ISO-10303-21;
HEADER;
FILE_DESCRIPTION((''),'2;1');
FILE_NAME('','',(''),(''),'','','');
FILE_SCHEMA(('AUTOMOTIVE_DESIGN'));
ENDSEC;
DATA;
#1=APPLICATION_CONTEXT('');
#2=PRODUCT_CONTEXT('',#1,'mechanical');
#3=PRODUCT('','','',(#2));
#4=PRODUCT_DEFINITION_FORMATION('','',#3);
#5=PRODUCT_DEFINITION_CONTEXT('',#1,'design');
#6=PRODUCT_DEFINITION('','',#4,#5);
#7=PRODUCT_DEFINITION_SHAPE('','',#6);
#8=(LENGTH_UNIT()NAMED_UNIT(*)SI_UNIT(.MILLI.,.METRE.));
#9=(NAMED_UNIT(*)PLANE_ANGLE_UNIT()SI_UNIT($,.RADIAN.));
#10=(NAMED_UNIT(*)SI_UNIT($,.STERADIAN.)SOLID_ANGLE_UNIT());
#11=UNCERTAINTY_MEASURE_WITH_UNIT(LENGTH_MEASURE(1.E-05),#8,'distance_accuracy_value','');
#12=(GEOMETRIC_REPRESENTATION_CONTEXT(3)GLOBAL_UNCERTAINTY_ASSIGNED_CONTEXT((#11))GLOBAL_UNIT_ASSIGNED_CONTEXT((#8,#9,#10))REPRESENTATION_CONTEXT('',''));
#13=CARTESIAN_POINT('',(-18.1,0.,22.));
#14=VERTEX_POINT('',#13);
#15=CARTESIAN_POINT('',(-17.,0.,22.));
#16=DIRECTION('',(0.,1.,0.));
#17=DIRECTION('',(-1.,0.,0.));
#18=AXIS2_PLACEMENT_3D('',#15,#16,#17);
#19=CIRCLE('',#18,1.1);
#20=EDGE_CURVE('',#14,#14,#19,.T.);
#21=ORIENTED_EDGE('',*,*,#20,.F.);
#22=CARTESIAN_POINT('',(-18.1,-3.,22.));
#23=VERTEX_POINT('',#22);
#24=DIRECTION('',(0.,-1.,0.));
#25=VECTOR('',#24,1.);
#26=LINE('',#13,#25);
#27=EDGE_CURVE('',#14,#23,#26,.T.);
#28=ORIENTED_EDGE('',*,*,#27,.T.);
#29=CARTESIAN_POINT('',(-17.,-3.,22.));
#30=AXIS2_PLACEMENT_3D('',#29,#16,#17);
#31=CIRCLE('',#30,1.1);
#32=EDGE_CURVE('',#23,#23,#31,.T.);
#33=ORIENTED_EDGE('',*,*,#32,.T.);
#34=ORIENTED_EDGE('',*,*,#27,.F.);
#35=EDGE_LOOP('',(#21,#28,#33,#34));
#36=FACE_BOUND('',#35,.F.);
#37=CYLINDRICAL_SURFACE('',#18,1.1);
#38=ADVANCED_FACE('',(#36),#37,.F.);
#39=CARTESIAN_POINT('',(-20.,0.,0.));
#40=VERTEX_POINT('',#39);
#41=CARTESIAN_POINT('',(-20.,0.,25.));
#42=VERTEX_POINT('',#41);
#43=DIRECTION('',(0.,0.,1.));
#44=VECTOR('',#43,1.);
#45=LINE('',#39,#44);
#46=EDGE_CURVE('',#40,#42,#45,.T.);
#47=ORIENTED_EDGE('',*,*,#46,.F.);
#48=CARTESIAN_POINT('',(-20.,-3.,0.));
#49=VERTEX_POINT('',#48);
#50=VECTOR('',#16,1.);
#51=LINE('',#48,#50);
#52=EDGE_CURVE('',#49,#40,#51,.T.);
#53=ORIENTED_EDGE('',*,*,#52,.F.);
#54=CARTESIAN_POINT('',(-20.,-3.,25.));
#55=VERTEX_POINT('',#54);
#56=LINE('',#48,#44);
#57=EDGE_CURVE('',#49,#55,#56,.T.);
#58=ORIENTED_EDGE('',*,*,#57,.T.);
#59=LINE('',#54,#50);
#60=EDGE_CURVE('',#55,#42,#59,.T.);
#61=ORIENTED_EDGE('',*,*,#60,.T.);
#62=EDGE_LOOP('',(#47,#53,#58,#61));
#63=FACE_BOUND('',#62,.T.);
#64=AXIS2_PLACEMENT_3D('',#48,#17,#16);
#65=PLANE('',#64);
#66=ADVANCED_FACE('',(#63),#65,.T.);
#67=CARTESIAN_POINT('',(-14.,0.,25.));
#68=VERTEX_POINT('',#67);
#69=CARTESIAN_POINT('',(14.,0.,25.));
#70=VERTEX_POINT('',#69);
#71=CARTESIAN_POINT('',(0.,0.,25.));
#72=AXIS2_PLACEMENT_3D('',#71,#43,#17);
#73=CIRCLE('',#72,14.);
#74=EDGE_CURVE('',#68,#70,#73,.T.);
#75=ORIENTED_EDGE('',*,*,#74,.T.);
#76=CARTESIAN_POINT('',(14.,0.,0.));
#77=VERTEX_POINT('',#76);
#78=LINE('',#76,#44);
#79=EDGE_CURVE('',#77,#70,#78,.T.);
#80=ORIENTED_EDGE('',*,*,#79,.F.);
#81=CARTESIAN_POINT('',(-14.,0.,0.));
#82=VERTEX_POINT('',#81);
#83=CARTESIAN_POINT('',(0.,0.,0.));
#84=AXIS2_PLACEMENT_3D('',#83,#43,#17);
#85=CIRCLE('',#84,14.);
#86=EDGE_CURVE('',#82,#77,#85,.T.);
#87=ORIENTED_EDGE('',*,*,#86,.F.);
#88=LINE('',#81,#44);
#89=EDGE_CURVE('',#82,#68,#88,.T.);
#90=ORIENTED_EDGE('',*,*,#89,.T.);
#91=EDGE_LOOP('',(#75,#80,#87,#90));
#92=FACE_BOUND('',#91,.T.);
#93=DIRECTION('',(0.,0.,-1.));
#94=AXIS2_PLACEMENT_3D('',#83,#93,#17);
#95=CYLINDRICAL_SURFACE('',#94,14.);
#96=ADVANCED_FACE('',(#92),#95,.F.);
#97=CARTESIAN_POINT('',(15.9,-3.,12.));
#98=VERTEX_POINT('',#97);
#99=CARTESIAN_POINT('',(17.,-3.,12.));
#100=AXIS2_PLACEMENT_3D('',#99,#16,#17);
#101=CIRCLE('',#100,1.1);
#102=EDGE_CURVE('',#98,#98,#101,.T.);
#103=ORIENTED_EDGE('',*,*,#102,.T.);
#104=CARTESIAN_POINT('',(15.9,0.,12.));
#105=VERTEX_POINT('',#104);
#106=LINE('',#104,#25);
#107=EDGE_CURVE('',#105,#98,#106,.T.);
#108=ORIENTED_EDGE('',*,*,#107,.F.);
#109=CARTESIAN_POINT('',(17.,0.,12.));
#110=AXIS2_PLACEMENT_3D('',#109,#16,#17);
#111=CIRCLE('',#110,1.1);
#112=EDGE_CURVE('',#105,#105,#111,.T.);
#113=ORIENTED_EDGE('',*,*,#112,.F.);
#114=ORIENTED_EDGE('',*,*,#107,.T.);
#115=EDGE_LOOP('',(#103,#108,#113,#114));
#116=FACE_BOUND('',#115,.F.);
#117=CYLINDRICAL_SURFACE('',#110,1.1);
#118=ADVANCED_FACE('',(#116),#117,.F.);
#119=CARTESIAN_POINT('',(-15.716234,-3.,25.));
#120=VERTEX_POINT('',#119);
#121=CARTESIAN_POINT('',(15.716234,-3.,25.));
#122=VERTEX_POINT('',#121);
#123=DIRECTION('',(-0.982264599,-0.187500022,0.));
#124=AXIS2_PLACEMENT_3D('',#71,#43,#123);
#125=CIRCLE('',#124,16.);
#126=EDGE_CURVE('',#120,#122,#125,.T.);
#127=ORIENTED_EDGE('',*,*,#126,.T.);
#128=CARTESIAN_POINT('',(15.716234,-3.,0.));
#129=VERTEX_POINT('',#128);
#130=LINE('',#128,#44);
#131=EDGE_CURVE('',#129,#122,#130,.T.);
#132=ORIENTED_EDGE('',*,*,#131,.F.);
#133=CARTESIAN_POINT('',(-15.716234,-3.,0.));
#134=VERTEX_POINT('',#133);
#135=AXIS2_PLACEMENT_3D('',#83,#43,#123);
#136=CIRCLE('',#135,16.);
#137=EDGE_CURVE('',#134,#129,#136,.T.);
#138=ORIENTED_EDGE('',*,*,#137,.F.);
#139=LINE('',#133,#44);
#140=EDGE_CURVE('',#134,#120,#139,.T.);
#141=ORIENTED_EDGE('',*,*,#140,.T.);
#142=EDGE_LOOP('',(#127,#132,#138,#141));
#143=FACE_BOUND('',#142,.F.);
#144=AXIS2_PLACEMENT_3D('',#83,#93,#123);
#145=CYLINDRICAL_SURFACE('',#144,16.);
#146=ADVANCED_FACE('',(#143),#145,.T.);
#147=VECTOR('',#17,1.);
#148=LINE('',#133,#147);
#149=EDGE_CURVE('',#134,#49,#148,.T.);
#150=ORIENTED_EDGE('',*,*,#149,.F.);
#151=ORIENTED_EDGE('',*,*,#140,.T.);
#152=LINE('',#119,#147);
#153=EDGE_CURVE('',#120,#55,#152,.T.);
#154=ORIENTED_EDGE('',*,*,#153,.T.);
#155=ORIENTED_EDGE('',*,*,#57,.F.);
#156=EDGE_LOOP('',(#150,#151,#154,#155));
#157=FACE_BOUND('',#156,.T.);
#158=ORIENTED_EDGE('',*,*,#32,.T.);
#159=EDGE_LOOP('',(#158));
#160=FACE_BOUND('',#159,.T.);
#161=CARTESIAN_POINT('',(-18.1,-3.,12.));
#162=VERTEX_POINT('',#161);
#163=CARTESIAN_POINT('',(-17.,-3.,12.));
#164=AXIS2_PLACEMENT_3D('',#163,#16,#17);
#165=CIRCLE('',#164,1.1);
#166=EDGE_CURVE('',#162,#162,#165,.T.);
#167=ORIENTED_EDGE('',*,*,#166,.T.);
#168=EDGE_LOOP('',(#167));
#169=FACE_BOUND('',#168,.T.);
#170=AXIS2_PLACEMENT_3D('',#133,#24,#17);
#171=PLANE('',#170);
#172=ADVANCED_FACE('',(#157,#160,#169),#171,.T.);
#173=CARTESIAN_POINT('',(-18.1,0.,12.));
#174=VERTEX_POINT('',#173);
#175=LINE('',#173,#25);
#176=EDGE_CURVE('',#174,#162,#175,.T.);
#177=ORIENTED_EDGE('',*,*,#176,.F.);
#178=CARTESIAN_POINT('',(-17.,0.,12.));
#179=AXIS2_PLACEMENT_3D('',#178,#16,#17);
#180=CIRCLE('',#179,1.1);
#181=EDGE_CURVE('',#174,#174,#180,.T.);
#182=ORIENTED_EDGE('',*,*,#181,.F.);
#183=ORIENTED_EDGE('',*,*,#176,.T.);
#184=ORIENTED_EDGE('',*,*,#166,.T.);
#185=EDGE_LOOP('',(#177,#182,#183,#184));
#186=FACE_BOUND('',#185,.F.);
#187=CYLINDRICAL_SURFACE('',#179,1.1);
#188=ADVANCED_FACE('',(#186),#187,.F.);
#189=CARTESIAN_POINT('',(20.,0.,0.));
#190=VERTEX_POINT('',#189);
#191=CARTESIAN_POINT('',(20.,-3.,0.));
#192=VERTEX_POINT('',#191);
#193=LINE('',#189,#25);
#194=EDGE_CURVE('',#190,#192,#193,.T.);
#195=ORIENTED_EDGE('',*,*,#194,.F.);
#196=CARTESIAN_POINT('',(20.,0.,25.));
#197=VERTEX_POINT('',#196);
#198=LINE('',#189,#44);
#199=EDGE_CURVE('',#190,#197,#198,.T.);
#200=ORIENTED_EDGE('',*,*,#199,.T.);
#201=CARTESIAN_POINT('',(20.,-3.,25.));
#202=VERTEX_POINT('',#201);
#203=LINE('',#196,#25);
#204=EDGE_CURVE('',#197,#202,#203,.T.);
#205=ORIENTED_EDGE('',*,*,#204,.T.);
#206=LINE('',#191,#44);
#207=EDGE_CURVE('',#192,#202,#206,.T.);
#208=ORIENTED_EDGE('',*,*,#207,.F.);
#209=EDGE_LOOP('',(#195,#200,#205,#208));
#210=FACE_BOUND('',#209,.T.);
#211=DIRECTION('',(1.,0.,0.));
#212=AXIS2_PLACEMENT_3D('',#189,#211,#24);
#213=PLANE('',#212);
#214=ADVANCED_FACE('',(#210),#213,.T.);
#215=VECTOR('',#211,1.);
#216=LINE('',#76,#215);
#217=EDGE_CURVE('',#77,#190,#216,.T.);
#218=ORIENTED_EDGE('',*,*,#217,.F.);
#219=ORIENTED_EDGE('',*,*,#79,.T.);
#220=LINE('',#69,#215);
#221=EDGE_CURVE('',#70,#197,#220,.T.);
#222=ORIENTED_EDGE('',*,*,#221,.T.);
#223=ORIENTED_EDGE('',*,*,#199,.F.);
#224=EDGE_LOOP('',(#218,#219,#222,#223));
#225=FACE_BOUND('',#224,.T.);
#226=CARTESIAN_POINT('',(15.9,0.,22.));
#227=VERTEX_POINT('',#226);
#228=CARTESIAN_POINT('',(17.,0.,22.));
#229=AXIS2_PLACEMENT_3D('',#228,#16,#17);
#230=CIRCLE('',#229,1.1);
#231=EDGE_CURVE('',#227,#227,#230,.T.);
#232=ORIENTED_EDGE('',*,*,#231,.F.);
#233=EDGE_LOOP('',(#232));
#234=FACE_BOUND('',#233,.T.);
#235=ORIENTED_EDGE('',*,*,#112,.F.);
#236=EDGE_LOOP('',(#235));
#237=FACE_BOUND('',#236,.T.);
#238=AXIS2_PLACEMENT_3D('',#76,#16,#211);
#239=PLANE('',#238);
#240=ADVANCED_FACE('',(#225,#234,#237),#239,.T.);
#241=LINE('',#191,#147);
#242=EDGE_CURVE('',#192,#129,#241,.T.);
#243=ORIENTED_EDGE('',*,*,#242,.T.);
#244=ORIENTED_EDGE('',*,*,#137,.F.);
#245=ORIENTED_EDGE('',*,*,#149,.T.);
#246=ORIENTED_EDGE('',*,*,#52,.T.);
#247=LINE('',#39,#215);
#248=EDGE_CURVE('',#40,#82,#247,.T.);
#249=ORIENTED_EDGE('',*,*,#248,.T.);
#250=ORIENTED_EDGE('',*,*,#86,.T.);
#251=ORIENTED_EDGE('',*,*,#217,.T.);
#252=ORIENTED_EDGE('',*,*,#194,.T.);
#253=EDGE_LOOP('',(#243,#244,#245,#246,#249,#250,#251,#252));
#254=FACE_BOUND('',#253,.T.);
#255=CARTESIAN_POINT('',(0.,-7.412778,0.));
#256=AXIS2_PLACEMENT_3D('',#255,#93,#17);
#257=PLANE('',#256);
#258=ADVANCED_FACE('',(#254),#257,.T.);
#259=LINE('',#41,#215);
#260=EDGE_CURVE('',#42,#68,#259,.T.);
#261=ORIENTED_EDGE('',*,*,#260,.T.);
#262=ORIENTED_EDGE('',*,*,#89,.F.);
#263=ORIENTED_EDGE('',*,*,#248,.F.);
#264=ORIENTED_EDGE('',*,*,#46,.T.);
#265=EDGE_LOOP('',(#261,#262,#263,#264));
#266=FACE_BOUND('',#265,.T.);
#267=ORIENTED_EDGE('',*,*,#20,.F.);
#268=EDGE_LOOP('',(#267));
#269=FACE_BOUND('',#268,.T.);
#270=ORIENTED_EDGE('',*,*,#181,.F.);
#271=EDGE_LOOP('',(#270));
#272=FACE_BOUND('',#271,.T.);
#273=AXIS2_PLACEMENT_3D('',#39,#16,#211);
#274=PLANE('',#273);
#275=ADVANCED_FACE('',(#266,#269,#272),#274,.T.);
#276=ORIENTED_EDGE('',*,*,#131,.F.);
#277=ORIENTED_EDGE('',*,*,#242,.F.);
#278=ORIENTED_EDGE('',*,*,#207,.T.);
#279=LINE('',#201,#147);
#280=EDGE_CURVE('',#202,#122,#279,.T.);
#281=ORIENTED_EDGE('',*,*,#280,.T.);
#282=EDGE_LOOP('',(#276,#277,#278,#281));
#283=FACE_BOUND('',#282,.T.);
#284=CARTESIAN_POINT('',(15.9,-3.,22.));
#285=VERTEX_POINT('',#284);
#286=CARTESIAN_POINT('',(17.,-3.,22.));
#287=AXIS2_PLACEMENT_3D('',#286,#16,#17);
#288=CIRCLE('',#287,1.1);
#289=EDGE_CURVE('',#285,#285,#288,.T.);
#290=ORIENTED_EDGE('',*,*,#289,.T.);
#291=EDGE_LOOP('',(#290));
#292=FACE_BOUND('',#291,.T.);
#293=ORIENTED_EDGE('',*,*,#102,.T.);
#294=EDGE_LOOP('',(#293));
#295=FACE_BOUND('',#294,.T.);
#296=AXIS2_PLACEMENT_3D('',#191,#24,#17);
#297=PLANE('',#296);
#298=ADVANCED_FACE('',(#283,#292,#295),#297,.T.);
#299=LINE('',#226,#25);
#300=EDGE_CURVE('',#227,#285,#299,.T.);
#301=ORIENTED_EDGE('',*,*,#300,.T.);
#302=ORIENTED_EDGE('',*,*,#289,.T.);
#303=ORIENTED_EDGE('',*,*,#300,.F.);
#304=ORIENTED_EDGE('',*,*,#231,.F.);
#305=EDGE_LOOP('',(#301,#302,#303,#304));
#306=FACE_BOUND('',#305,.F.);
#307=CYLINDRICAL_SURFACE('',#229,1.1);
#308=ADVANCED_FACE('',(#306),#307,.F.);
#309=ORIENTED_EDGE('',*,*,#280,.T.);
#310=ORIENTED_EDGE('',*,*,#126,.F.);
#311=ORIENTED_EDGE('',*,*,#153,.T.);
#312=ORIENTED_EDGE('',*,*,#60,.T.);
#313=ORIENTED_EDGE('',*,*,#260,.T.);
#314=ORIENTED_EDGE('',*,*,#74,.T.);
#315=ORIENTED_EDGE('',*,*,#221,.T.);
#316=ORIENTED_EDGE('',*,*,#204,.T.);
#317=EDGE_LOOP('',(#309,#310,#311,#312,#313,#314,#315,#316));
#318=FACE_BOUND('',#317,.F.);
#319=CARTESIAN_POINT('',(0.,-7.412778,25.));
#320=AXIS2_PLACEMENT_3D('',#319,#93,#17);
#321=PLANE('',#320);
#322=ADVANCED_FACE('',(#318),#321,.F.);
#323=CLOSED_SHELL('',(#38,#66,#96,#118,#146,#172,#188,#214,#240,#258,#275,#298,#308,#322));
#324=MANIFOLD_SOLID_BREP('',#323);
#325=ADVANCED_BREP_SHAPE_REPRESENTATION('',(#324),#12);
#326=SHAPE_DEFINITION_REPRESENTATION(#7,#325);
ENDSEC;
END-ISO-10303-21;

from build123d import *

# Parameters (mm, degrees)
PAD_DEPTH    = 25
SKETCH001_R  = 1.1
POCKET_DEPTH = 16.001


with BuildPart() as part:
    # Sketch → Pad (new body)
    with BuildSketch(Plane.XY):
        with BuildLine():
            Line((-15.716234, -3), (-20, -3))
            Line((-20, -3), (-20, 0))
            Line((-20, 0), (-14, 0))
            ThreePointArc((-14, 0), (0, -14), (14, 0))
            Line((14, 0), (20, 0))
            Line((20, 0), (20, -3))
            Line((20, -3), (15.716234, -3))
            ThreePointArc((-15.716234, -3), (0, -16), (15.716234, -3))
        make_face()
    extrude(amount=PAD_DEPTH)

    # Sketch001 → Pocket (cut, through all)
    with BuildSketch(Plane(origin=(0, 0, 0), x_dir=(-1, 0, 0), z_dir=(0, 1, 0))):
        with Locations((-17, 22)):
            Circle(SKETCH001_R)
        with Locations((-17, 12)):
            Circle(SKETCH001_R)
        with Locations((17, 22)):
            Circle(SKETCH001_R)
        with Locations((17, 12)):
            Circle(SKETCH001_R)
    extrude(amount=-POCKET_DEPTH, mode=Mode.SUBTRACT)


solid = part.part
